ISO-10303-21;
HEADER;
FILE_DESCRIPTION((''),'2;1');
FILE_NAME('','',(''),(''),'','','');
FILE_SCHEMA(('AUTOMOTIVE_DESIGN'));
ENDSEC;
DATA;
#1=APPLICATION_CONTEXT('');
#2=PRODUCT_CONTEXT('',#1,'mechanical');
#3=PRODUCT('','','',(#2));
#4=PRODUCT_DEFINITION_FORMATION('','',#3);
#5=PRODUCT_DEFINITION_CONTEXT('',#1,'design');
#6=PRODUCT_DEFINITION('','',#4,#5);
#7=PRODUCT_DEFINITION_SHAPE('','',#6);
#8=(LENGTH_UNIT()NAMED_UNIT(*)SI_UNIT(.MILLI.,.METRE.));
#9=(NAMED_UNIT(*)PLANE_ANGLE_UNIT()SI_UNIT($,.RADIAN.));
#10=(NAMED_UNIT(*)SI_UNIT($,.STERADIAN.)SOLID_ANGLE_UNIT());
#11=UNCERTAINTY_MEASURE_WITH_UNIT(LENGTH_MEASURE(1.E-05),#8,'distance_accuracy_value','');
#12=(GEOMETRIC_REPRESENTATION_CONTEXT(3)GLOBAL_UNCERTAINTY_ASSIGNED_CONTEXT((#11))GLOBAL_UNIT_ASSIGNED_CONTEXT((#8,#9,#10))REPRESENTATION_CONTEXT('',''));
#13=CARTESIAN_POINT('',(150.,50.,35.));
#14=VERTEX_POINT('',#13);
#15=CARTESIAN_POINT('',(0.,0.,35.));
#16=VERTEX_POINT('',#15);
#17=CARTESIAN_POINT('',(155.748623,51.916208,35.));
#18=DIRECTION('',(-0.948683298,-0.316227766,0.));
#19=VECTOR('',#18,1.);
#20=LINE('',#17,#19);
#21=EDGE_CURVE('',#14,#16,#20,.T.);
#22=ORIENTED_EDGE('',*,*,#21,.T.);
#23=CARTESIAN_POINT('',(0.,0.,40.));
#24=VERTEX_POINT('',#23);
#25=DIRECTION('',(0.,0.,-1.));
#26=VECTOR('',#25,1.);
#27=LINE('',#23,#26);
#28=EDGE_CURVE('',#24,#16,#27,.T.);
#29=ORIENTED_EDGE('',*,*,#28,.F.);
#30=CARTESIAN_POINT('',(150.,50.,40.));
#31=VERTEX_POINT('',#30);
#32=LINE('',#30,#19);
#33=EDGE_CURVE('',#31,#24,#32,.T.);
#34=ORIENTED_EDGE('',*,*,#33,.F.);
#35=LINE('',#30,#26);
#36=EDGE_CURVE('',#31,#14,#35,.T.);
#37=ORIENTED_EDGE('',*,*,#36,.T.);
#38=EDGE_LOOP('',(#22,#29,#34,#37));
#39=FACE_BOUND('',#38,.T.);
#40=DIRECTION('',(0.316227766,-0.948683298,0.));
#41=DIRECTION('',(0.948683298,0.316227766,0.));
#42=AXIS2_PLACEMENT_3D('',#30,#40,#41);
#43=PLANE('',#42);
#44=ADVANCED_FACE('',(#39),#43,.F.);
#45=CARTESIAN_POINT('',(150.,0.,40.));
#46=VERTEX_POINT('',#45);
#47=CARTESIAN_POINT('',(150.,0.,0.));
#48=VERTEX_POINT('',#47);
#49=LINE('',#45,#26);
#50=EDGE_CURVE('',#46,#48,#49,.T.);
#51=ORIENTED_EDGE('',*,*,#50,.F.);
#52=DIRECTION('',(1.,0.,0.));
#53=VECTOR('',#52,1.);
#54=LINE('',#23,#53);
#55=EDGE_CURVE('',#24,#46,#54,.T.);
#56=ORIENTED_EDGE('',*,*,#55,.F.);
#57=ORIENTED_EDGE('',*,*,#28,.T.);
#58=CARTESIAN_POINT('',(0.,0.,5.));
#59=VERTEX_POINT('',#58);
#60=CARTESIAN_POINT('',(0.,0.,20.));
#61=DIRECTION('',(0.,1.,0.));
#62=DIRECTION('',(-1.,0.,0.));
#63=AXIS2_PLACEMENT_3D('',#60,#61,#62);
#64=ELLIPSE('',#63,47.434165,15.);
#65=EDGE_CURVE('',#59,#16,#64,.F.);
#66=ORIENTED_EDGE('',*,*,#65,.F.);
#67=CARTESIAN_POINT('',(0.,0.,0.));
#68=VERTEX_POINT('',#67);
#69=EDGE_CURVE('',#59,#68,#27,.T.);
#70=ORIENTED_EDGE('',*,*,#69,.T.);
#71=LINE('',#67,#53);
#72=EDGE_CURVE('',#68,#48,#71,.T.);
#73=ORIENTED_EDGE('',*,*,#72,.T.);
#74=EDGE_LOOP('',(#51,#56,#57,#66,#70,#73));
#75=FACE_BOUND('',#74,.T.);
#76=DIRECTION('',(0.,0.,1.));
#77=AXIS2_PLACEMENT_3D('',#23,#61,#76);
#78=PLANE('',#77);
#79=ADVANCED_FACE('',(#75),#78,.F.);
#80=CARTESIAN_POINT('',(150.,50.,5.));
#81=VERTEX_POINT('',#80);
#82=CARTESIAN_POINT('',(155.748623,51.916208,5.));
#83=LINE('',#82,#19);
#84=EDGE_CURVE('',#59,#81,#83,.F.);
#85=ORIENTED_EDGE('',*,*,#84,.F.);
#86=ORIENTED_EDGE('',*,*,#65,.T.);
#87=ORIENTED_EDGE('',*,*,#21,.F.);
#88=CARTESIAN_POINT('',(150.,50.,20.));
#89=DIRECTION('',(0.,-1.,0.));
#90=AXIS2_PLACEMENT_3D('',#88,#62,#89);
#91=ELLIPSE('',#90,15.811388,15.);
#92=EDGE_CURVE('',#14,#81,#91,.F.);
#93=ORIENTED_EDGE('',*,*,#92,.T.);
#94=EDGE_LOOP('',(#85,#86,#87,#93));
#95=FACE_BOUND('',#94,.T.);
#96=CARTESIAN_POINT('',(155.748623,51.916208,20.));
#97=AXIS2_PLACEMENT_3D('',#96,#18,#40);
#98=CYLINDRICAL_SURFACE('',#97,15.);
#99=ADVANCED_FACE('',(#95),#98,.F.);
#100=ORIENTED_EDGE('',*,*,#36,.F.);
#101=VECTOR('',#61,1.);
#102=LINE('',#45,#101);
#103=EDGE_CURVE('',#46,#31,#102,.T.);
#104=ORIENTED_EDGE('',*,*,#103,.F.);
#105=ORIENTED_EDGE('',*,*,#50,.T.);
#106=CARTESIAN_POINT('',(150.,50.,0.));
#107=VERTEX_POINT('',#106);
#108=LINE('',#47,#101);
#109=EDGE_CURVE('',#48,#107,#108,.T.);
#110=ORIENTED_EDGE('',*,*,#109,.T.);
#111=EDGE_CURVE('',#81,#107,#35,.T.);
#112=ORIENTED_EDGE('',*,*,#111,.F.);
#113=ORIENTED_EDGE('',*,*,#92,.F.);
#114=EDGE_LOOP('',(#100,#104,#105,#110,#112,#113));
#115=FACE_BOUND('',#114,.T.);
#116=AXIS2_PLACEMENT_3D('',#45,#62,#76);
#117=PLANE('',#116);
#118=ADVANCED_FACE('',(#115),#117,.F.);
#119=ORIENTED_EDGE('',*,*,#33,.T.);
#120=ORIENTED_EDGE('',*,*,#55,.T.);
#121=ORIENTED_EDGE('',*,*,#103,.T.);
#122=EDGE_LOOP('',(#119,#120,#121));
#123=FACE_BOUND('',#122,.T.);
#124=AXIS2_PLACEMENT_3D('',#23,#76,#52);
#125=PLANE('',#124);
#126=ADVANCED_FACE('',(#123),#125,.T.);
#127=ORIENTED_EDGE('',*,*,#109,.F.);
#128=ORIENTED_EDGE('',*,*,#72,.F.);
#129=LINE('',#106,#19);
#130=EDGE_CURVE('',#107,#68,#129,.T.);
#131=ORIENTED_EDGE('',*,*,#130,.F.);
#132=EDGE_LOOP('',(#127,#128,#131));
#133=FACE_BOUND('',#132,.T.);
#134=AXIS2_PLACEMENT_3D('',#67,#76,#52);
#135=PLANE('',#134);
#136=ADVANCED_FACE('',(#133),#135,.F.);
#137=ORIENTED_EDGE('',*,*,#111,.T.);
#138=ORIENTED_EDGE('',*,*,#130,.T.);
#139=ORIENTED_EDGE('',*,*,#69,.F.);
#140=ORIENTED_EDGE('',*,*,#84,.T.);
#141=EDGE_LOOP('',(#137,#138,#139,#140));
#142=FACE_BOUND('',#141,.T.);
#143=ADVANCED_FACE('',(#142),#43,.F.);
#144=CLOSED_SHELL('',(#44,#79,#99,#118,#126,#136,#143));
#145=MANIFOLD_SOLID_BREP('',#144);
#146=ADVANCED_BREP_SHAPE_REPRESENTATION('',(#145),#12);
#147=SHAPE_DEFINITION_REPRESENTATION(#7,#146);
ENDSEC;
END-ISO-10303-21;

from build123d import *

# Parameters (mm, degrees)
BOSS_EXTRUDE1_DEPTH = 40
SKETCH4_R           = 15


with BuildPart() as part:
    # Sketch1 → Boss-Extrude1 (new body)
    with BuildSketch(Plane.XY):
        Polygon((150, 50), (0, 0), (150, 0), align=None)
    extrude(amount=BOSS_EXTRUDE1_DEPTH)

    # Cut-Sweep1: sweep along a curve in space
    with BuildLine() as cut_sweep1_path:
        Line((150, 50, 20), (0, 0, 20))
    # Sketch4 → Cut-Sweep1 (sweep, cut)
    with BuildSketch(Plane(origin=(150, 50, 0), x_dir=(0, 0, 1), z_dir=(-0.948683298, -0.316227766, 0))):
        with Locations((20, 0)):
            Circle(SKETCH4_R)
    sweep(path=cut_sweep1_path.line, mode=Mode.SUBTRACT)


solid = part.part
